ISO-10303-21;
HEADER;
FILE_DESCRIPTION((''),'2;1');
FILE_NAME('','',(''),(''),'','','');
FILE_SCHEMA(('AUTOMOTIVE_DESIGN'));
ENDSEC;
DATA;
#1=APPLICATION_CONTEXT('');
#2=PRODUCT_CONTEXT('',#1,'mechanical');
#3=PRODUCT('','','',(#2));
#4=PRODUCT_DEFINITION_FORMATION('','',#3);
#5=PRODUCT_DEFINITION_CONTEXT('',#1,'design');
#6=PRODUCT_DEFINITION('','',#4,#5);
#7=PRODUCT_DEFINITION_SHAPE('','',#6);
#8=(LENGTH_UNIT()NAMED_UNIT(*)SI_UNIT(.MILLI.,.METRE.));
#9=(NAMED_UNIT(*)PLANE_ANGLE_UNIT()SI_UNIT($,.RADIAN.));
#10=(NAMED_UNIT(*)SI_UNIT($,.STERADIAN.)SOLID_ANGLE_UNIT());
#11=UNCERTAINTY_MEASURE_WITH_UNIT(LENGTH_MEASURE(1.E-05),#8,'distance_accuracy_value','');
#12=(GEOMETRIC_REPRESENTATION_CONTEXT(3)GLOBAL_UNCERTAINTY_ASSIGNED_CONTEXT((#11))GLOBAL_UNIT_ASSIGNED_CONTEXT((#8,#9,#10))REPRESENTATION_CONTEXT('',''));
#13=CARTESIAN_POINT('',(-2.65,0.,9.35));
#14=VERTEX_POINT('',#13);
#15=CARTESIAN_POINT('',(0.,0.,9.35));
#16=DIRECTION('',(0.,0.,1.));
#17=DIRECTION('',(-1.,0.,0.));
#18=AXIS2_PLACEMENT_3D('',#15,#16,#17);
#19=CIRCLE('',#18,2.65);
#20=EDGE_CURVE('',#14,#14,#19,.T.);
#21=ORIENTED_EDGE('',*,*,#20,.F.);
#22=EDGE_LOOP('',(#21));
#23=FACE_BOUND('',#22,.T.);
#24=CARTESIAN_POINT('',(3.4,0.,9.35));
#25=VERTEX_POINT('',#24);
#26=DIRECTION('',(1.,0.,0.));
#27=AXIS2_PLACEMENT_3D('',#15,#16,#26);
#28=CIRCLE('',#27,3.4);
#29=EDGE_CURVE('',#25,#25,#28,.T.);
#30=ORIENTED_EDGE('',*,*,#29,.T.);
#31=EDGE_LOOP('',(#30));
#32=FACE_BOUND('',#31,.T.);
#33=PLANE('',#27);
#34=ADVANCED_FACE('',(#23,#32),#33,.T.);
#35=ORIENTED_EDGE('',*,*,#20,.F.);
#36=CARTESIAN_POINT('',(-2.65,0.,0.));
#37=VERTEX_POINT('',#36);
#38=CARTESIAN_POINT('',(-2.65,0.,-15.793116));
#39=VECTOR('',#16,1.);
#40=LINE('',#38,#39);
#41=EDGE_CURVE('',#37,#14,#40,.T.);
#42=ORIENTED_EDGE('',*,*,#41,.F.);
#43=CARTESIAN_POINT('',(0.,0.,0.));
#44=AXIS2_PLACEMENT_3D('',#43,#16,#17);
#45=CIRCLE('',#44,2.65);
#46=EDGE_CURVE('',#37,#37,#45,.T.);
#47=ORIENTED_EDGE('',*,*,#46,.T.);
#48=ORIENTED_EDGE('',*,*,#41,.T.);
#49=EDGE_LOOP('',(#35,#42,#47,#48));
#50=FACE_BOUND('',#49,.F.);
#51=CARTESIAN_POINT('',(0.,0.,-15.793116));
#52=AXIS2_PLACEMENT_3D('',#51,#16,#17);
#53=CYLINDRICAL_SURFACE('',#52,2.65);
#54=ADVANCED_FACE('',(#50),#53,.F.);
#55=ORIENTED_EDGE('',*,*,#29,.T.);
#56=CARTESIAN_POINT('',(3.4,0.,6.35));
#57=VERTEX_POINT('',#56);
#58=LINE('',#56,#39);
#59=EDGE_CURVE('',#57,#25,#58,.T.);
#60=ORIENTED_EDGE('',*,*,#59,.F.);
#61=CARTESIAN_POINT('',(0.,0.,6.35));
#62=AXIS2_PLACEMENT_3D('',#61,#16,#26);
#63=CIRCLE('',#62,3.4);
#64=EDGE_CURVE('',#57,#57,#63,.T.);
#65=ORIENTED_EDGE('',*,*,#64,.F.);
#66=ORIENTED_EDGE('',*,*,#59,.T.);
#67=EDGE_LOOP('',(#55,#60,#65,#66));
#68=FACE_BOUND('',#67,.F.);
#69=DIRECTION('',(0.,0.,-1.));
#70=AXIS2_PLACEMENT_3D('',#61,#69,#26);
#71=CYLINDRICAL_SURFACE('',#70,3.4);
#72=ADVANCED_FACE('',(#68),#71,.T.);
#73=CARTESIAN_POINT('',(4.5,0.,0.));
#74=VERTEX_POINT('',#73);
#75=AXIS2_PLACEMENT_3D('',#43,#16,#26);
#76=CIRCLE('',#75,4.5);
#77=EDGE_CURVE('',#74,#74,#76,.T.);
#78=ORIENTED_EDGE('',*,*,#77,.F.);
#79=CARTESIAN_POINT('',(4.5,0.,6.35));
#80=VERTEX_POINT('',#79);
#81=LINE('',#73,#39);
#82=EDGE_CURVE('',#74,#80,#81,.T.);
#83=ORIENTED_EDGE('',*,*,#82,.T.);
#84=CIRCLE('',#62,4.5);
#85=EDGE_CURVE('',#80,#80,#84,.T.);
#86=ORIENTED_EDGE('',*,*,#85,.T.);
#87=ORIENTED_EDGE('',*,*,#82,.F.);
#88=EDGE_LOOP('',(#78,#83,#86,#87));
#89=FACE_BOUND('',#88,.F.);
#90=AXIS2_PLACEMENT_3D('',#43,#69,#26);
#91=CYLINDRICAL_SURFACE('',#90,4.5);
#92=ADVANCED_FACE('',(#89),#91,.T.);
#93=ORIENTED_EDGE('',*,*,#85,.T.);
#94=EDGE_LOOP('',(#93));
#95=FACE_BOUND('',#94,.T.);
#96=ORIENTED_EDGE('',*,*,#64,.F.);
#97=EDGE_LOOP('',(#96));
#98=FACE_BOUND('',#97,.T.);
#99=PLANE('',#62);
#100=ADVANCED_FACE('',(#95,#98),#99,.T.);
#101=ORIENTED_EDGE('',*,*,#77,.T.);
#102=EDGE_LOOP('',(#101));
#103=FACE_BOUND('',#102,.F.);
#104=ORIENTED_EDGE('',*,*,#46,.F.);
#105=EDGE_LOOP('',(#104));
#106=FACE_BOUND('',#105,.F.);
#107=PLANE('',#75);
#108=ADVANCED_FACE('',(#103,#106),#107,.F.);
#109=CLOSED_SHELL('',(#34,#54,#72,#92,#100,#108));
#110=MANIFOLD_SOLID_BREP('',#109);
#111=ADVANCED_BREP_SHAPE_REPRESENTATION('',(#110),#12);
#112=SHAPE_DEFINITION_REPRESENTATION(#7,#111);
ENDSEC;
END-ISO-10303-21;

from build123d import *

# Parameters (mm, degrees)
F0_R     = 4.5
F1_DEPTH = 6.35
F2_R     = 3.4
F3_DEPTH = 3
F4_D     = 5.3


with BuildPart() as f1:
    # F0 (on Top) → F1 (new body)
    with BuildSketch(Plane.XY):
        Circle(F0_R)
    extrude(amount=F1_DEPTH)

    # F2 (on face) → F3 (join)
    with BuildSketch(Plane.XY.offset(6.35)):
        Circle(F2_R)
    extrude(amount=F3_DEPTH)

    # F4 (through all)
    with Locations(Plane(origin=(0, 0, 0), x_dir=(1, 0, 0), z_dir=(0, 0, -1))):
        with Locations((0, 0)):
            Hole(F4_D / 2)


solid = f1.part
